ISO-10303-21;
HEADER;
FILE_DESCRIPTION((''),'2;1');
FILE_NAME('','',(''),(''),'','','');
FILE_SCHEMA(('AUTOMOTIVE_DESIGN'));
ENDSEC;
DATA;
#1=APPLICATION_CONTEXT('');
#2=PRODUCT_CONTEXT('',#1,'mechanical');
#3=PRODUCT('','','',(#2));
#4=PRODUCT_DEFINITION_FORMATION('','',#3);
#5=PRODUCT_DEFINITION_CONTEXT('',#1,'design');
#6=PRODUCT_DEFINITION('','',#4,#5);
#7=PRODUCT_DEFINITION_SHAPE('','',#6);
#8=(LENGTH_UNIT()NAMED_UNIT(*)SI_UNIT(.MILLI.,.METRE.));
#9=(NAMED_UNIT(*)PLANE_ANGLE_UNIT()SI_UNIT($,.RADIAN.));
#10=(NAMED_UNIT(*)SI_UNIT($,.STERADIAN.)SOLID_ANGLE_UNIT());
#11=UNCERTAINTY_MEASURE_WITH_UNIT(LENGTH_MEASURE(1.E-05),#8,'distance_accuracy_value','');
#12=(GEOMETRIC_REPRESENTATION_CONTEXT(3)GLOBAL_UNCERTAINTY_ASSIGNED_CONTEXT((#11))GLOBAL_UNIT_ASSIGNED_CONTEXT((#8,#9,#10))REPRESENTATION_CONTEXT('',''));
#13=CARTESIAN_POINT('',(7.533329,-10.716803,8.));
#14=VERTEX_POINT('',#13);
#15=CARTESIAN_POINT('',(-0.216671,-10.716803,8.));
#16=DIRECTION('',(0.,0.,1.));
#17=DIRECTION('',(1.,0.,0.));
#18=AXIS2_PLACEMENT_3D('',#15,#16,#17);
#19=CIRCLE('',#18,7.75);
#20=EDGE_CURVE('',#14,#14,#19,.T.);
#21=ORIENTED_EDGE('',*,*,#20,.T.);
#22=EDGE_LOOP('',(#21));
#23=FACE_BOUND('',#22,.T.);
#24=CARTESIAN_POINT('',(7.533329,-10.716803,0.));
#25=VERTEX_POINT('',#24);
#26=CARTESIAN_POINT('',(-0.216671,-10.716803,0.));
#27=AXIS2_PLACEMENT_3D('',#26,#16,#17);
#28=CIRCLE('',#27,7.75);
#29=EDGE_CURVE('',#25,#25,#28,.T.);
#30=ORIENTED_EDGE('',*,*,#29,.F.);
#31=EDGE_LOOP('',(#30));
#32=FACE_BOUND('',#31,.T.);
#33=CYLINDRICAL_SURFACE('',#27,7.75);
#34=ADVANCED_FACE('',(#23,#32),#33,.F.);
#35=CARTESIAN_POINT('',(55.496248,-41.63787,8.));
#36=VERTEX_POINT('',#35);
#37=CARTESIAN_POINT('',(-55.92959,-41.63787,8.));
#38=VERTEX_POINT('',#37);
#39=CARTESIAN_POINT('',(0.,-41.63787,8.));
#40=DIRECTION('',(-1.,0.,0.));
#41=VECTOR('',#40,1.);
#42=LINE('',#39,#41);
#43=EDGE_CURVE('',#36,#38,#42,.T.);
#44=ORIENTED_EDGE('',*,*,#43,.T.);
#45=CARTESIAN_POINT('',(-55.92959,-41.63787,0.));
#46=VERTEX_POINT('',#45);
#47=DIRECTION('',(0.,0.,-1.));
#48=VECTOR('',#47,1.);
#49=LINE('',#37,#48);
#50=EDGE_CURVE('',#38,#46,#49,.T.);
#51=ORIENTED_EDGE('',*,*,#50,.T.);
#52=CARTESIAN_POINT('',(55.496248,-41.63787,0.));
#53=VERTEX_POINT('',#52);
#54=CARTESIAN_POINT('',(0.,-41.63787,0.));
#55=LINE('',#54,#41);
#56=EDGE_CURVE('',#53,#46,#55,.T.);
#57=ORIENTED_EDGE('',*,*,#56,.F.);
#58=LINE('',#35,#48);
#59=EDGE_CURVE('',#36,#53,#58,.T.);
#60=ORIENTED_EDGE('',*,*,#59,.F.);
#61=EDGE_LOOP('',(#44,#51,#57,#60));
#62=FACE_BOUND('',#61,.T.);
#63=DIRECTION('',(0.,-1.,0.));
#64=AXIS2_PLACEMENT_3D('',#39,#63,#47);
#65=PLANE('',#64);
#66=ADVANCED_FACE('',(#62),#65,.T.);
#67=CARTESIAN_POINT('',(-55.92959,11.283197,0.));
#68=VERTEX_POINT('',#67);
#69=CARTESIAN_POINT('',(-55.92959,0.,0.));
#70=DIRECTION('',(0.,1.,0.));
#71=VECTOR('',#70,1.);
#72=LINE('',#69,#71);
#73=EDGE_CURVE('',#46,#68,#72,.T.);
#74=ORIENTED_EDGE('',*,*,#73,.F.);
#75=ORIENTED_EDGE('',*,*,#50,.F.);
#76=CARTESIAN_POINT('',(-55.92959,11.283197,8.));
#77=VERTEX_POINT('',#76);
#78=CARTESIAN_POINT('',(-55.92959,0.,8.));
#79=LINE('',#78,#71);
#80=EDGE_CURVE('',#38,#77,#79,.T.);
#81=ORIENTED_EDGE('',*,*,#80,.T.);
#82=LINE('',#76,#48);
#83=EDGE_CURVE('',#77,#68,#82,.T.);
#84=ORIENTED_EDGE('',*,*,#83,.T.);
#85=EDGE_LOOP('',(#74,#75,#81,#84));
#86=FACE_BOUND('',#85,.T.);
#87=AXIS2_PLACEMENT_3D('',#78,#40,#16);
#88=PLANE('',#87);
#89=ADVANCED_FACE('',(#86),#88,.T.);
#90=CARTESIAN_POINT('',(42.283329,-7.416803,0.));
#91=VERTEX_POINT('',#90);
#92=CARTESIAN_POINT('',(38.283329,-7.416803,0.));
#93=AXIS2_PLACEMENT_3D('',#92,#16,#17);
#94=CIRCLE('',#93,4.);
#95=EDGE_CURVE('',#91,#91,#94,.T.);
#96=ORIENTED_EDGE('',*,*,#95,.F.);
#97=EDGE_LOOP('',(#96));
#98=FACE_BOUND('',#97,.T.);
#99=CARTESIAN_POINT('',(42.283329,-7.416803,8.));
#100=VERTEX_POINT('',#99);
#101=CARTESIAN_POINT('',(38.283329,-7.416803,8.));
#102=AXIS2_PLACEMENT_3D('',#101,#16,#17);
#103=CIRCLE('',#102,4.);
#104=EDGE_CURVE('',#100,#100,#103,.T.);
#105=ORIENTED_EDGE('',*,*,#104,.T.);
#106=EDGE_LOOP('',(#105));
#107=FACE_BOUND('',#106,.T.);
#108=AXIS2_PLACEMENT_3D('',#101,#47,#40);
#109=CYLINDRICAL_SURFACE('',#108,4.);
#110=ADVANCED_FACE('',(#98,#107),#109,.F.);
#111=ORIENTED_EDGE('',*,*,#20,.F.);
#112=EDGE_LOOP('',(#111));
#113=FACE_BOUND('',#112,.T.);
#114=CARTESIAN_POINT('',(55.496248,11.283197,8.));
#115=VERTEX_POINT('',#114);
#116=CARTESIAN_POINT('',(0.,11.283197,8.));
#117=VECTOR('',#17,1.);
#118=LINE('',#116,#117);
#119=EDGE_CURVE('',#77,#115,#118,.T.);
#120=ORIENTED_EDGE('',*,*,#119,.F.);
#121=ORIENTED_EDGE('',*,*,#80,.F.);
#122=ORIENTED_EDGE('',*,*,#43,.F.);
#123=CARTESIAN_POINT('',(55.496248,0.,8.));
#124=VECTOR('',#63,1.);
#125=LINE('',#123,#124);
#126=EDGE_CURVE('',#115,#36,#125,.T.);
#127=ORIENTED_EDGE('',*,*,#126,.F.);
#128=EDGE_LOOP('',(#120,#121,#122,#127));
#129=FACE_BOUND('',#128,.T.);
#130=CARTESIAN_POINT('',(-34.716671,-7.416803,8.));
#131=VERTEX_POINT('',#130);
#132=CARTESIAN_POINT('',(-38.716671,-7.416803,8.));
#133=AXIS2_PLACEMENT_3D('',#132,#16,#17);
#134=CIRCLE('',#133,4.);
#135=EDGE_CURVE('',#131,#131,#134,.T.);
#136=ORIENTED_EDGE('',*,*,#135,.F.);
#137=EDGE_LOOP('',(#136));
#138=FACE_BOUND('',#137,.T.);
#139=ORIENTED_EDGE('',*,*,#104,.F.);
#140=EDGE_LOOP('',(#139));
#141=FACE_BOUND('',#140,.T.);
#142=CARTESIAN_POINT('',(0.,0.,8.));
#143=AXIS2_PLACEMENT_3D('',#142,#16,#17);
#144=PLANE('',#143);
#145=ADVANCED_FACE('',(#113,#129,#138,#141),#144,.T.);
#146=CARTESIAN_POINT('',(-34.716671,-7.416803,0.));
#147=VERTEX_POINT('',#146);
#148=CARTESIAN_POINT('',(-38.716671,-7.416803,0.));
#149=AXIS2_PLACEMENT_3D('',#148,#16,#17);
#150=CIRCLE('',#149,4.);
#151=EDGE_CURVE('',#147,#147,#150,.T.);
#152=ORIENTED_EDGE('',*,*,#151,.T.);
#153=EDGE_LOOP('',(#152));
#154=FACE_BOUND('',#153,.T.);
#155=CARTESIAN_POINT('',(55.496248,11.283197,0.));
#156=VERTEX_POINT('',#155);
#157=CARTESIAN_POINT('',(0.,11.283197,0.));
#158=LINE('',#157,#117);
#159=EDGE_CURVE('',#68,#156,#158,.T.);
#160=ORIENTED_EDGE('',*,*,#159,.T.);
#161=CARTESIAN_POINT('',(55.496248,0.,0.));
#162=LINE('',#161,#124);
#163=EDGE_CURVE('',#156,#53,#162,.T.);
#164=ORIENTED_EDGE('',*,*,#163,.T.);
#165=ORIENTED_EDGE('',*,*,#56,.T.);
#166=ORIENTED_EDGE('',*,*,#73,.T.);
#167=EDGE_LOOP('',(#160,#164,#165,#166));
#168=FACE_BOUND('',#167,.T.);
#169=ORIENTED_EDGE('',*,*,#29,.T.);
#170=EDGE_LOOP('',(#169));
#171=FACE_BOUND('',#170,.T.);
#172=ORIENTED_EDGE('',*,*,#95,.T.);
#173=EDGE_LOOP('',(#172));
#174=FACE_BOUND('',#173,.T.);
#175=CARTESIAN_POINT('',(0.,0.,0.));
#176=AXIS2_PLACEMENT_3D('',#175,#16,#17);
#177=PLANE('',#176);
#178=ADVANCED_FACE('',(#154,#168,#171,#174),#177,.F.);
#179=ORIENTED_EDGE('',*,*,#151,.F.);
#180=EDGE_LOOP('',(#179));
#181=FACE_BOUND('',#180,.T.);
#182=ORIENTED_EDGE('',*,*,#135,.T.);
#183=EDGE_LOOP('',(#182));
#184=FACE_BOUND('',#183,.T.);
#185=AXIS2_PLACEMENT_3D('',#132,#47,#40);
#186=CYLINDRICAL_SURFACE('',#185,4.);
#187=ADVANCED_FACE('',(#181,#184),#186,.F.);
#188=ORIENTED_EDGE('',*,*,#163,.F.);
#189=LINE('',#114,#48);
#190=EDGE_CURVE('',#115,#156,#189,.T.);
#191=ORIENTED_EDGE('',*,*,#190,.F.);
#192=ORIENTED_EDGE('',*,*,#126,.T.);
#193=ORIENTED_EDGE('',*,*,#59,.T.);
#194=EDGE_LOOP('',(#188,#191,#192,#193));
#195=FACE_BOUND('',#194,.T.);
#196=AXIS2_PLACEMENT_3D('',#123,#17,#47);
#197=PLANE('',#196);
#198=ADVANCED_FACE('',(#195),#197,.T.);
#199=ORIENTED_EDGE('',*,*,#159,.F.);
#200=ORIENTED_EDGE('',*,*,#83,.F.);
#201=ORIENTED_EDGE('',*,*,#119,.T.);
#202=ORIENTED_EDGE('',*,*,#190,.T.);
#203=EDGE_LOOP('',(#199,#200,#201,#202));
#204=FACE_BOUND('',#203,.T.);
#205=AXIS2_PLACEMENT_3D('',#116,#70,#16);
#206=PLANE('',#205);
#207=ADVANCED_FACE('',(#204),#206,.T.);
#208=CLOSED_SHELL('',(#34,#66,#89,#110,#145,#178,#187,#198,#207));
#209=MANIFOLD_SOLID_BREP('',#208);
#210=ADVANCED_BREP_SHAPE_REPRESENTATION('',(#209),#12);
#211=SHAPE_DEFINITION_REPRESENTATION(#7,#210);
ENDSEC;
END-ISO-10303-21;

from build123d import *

# Parameters (mm, degrees)
SKETCH1_R           = 4
SKETCH1_R_2         = 5
BOSS_EXTRUDE1_DEPTH = 8
SKETCH2_R           = 7.75
CUT_EXTRUDE1_DEPTH  = 9


with BuildPart() as part:
    # Sketch1 → Boss-Extrude1 (new body)
    with BuildSketch(Plane.XY):
        Polygon((-55.929590299, 11.283196531), (55.49624814, 11.283196531), (55.49624814, -41.637870342), (-55.929590299, -41.637870342), (-55.929590299, -36.557898132), align=None)
        with Locations((38.28332892, -7.416803469)):
            Circle(SKETCH1_R, mode=Mode.SUBTRACT)
        with Locations((-0.21667108, -10.716803469)):
            Circle(SKETCH1_R_2, mode=Mode.SUBTRACT)
        with Locations((-38.71667108, -7.416803469)):
            Circle(SKETCH1_R, mode=Mode.SUBTRACT)
    extrude(amount=BOSS_EXTRUDE1_DEPTH)

    # Sketch2 → Cut-Extrude1 (cut, through all)
    with BuildSketch(Plane.XY.offset(8)):
        with Locations((-0.21667108, -10.716803469)):
            Circle(SKETCH2_R)
    extrude(amount=-CUT_EXTRUDE1_DEPTH, mode=Mode.SUBTRACT)


solid = part.part
